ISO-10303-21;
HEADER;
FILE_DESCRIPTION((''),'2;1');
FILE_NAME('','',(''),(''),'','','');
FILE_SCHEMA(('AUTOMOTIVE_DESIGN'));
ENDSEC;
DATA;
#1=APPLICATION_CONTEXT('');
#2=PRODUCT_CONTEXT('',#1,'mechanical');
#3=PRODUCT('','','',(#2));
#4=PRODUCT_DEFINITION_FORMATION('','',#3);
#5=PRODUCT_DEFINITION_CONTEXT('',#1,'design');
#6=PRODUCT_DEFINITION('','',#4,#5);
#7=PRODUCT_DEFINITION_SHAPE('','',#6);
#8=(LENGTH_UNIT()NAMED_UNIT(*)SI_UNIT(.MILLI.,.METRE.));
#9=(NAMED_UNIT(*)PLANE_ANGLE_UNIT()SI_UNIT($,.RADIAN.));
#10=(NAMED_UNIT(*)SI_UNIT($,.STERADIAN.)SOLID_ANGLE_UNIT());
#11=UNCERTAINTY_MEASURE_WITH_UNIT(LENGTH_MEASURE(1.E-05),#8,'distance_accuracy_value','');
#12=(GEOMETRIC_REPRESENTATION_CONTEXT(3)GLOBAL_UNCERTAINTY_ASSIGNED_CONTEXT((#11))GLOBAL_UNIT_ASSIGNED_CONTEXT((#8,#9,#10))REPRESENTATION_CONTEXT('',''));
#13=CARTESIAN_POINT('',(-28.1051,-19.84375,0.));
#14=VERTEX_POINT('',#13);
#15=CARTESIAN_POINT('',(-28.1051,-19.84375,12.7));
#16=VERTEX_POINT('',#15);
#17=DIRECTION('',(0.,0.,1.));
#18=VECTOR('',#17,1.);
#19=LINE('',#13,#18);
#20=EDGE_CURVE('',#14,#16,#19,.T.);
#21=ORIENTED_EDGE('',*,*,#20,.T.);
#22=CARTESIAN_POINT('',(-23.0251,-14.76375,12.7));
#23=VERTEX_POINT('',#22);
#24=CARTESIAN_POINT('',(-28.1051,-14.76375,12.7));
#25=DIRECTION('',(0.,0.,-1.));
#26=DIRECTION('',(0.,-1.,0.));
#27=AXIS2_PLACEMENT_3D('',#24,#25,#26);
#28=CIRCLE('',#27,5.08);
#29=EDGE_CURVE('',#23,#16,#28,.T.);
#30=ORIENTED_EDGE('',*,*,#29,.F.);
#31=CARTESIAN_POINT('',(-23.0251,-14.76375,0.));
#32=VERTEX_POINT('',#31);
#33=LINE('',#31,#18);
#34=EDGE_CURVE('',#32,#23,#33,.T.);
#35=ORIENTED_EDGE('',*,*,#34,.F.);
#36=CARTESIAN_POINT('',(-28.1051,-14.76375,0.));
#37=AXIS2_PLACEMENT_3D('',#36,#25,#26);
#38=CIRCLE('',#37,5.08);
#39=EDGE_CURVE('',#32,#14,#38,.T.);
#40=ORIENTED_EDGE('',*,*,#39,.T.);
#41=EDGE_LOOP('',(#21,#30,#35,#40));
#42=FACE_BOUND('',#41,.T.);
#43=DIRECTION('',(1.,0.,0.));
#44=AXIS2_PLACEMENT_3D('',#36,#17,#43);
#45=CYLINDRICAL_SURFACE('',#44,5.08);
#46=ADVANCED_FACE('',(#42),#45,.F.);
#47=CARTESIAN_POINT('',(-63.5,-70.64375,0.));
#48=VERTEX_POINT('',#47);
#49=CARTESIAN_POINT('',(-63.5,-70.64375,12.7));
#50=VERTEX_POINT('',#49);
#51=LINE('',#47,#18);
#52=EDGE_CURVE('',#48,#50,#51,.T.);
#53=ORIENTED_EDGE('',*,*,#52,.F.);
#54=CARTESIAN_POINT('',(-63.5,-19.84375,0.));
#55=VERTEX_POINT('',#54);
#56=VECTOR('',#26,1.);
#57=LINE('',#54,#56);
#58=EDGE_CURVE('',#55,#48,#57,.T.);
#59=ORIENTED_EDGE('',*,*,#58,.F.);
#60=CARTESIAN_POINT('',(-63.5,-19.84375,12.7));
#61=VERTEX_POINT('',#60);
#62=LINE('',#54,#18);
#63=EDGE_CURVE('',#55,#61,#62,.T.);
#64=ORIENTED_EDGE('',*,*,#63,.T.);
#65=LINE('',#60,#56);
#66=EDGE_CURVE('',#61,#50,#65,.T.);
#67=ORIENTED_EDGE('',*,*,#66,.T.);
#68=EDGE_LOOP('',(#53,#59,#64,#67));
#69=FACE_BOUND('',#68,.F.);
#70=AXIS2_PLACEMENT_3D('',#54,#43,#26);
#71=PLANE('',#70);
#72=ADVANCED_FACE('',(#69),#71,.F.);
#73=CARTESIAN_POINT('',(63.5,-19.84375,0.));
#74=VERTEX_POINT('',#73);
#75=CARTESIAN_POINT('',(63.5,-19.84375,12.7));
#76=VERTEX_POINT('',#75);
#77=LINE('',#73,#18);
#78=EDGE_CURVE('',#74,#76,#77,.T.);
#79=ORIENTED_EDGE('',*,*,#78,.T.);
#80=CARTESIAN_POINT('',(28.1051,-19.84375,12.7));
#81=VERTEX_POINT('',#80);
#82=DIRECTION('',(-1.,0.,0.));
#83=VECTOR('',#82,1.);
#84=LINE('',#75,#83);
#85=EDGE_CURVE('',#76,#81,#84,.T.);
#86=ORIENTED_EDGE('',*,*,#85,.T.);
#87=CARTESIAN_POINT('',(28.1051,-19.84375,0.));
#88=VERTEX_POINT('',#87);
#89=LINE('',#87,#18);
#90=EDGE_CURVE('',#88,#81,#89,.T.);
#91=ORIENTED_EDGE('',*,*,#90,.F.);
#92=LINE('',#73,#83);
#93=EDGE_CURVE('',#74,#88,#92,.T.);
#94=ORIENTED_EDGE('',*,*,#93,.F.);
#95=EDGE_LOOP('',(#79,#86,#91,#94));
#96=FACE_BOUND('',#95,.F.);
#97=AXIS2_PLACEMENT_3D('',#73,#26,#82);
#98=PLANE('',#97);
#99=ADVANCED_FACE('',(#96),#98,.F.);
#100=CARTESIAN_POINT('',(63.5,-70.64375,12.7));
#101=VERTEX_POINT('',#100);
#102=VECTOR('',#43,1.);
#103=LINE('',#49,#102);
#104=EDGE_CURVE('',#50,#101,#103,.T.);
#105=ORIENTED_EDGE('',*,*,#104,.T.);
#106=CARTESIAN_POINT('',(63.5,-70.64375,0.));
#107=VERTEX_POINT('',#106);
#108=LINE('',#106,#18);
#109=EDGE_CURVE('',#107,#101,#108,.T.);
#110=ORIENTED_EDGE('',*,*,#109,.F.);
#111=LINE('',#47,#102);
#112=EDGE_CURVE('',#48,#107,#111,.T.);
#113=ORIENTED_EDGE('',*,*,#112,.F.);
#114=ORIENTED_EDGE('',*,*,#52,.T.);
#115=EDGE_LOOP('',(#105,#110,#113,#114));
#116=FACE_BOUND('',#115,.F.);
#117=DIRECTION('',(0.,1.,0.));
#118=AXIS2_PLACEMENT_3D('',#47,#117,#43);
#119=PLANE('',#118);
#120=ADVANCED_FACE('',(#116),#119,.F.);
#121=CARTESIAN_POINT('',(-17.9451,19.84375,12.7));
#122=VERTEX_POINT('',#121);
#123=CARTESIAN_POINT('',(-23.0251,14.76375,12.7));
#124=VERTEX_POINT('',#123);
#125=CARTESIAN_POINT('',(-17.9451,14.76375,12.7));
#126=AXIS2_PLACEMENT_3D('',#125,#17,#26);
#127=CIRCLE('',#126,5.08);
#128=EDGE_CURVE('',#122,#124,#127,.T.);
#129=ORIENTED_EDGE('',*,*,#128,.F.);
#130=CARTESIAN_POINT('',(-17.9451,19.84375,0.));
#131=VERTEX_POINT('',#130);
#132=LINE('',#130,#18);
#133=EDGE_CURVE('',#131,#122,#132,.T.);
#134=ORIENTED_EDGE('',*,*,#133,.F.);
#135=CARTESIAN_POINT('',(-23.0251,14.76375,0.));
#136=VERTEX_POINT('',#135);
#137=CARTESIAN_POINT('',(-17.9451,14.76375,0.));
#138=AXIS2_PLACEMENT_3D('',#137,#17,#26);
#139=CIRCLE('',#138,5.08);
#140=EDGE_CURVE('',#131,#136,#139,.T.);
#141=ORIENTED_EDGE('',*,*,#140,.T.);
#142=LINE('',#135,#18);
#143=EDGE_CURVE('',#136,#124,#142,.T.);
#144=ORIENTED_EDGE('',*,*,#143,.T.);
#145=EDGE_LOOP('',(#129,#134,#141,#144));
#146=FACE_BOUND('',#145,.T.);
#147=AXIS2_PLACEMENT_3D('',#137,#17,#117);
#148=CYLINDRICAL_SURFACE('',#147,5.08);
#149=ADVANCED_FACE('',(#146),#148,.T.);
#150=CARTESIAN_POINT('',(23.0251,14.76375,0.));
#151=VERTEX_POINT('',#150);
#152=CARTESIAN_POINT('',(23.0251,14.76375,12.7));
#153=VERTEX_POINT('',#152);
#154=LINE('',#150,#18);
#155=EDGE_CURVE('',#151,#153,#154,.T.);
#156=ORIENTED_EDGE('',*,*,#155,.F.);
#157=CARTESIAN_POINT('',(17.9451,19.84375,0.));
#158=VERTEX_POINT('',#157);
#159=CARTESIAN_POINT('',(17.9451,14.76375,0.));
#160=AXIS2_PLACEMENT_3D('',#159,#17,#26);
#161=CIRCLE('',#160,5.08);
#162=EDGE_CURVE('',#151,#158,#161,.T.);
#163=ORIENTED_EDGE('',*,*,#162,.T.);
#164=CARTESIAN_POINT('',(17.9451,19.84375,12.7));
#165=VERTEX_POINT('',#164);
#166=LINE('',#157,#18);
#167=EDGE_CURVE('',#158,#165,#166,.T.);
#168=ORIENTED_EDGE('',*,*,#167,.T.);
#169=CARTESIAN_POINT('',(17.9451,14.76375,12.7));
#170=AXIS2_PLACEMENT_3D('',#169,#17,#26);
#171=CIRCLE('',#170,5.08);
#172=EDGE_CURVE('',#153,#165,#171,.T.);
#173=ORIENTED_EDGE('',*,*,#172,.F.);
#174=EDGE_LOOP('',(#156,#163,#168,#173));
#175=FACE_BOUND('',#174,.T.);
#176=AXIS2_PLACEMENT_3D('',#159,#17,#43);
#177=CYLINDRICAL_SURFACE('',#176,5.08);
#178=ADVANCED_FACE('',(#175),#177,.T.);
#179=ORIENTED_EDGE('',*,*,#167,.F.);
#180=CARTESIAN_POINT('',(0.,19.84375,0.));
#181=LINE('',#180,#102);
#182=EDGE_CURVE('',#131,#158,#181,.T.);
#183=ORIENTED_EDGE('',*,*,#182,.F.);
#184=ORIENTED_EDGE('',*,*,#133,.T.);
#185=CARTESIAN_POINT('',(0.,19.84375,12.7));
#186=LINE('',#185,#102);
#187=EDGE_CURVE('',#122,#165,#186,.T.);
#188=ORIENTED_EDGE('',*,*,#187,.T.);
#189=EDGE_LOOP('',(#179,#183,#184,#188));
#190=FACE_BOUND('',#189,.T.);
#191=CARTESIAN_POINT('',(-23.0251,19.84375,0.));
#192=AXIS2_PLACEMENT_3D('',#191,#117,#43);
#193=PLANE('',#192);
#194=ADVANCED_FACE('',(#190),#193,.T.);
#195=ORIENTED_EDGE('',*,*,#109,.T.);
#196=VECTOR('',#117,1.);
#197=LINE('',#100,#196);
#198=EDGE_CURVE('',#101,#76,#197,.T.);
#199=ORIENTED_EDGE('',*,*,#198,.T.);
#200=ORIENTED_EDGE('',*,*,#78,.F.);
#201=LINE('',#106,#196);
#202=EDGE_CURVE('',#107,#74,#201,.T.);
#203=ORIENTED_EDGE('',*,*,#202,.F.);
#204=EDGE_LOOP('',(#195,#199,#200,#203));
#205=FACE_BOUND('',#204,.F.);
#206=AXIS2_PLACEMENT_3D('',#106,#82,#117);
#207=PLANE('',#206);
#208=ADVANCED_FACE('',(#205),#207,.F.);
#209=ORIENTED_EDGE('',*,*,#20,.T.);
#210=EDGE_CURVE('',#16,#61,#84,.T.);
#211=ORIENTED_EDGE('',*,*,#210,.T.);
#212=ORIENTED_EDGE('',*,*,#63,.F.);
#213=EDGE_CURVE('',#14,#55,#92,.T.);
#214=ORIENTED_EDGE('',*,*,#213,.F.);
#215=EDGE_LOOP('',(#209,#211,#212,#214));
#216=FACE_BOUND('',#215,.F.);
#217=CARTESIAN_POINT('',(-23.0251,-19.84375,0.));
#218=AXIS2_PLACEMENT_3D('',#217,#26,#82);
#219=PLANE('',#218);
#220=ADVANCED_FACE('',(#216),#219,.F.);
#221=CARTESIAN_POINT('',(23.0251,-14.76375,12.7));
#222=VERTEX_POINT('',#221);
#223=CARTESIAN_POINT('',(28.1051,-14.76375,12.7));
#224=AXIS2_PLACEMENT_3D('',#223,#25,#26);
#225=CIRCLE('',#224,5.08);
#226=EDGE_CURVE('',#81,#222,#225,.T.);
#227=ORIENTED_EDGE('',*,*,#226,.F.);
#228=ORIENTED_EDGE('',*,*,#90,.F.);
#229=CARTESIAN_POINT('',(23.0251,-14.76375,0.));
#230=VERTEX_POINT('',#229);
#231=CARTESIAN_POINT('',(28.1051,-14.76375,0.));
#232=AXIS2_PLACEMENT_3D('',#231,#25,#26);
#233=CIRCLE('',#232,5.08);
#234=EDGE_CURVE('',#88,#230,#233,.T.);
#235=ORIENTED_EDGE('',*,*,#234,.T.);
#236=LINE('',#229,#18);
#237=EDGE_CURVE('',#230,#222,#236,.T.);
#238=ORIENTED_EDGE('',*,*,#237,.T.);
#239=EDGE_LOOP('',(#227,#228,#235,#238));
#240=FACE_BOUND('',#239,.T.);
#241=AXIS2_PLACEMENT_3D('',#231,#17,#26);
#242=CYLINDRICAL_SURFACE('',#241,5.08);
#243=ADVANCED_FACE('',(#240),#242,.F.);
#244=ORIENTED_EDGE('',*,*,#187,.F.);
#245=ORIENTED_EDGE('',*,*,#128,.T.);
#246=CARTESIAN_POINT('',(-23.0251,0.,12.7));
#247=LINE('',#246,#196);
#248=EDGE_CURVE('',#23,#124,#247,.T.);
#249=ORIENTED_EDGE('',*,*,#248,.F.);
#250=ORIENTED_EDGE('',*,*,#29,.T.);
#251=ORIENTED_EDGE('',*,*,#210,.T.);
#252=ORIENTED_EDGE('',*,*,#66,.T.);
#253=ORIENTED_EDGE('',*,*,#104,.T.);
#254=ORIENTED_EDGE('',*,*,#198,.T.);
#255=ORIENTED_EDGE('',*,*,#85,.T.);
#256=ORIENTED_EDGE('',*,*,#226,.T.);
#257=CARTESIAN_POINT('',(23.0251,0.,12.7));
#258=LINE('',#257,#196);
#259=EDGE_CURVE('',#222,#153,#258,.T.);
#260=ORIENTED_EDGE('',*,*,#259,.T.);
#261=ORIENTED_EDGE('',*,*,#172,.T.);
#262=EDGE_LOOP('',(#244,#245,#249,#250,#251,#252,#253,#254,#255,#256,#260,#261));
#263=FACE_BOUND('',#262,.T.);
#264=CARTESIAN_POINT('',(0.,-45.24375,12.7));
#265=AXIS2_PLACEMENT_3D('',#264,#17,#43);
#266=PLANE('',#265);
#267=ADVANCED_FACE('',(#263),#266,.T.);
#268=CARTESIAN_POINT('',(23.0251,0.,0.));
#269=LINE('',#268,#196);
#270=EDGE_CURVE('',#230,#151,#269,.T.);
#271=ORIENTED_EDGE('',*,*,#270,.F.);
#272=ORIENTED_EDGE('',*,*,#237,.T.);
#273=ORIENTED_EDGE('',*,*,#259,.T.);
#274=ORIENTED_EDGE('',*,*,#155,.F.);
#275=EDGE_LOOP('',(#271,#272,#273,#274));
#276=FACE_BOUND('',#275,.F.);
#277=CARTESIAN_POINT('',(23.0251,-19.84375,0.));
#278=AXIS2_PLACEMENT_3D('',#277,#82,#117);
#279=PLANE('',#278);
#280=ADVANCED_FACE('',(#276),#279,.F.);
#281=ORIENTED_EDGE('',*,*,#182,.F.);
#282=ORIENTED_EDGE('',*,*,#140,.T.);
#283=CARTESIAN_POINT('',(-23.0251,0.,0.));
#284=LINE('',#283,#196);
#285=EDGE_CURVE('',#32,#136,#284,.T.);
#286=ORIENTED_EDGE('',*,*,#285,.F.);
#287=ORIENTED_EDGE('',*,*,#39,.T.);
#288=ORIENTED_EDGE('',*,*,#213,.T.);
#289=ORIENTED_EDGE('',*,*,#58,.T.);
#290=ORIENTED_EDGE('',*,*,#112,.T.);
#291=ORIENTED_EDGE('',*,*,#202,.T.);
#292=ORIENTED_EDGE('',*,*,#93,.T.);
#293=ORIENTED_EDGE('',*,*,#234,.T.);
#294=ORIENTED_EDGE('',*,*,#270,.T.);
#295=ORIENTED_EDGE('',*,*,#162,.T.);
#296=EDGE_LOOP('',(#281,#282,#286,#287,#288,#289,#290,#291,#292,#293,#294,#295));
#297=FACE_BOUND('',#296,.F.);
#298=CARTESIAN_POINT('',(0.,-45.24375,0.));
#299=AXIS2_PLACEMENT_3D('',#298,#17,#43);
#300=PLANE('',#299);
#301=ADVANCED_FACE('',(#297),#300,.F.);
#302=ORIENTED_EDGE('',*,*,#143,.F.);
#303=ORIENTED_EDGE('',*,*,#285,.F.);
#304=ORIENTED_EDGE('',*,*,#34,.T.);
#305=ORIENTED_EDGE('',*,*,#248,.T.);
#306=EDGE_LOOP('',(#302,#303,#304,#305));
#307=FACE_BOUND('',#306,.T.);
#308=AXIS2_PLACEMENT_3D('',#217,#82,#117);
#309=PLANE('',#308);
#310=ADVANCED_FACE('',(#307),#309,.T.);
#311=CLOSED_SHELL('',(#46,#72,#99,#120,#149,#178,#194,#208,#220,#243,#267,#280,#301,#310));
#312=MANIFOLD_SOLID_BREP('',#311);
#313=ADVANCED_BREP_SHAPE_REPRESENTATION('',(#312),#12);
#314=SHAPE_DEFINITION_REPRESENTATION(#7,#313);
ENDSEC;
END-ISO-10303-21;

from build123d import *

# Parameters (mm, degrees)
F0_W     = 46.0502
F0_H     = 39.6875
F1_DEPTH = 12.7
F2_R     = 5.08


with BuildPart() as f1:
    # F0 (on Top) → F1 (new body)
    with BuildSketch(Plane.XY):
        Polygon((63.5, -19.84375), (23.0251, -19.84375), (-23.0251, -19.84375), (-63.5, -19.84375), (-63.5, -70.64375), (63.5, -70.64375), align=None)
        Rectangle(F0_W, F0_H)
    extrude(amount=F1_DEPTH)

    # F2
    f2_edges = [f1.edges().sort_by_distance(p)[0] for p in [
        (-23.0251, 19.84375, 6.35),
        (23.0251, 19.84375, 6.35),
        (23.0251, -19.84375, 6.35),
        (-23.0251, -19.84375, 6.35),
    ]]
    fillet(f2_edges, radius=F2_R)


solid = f1.part
